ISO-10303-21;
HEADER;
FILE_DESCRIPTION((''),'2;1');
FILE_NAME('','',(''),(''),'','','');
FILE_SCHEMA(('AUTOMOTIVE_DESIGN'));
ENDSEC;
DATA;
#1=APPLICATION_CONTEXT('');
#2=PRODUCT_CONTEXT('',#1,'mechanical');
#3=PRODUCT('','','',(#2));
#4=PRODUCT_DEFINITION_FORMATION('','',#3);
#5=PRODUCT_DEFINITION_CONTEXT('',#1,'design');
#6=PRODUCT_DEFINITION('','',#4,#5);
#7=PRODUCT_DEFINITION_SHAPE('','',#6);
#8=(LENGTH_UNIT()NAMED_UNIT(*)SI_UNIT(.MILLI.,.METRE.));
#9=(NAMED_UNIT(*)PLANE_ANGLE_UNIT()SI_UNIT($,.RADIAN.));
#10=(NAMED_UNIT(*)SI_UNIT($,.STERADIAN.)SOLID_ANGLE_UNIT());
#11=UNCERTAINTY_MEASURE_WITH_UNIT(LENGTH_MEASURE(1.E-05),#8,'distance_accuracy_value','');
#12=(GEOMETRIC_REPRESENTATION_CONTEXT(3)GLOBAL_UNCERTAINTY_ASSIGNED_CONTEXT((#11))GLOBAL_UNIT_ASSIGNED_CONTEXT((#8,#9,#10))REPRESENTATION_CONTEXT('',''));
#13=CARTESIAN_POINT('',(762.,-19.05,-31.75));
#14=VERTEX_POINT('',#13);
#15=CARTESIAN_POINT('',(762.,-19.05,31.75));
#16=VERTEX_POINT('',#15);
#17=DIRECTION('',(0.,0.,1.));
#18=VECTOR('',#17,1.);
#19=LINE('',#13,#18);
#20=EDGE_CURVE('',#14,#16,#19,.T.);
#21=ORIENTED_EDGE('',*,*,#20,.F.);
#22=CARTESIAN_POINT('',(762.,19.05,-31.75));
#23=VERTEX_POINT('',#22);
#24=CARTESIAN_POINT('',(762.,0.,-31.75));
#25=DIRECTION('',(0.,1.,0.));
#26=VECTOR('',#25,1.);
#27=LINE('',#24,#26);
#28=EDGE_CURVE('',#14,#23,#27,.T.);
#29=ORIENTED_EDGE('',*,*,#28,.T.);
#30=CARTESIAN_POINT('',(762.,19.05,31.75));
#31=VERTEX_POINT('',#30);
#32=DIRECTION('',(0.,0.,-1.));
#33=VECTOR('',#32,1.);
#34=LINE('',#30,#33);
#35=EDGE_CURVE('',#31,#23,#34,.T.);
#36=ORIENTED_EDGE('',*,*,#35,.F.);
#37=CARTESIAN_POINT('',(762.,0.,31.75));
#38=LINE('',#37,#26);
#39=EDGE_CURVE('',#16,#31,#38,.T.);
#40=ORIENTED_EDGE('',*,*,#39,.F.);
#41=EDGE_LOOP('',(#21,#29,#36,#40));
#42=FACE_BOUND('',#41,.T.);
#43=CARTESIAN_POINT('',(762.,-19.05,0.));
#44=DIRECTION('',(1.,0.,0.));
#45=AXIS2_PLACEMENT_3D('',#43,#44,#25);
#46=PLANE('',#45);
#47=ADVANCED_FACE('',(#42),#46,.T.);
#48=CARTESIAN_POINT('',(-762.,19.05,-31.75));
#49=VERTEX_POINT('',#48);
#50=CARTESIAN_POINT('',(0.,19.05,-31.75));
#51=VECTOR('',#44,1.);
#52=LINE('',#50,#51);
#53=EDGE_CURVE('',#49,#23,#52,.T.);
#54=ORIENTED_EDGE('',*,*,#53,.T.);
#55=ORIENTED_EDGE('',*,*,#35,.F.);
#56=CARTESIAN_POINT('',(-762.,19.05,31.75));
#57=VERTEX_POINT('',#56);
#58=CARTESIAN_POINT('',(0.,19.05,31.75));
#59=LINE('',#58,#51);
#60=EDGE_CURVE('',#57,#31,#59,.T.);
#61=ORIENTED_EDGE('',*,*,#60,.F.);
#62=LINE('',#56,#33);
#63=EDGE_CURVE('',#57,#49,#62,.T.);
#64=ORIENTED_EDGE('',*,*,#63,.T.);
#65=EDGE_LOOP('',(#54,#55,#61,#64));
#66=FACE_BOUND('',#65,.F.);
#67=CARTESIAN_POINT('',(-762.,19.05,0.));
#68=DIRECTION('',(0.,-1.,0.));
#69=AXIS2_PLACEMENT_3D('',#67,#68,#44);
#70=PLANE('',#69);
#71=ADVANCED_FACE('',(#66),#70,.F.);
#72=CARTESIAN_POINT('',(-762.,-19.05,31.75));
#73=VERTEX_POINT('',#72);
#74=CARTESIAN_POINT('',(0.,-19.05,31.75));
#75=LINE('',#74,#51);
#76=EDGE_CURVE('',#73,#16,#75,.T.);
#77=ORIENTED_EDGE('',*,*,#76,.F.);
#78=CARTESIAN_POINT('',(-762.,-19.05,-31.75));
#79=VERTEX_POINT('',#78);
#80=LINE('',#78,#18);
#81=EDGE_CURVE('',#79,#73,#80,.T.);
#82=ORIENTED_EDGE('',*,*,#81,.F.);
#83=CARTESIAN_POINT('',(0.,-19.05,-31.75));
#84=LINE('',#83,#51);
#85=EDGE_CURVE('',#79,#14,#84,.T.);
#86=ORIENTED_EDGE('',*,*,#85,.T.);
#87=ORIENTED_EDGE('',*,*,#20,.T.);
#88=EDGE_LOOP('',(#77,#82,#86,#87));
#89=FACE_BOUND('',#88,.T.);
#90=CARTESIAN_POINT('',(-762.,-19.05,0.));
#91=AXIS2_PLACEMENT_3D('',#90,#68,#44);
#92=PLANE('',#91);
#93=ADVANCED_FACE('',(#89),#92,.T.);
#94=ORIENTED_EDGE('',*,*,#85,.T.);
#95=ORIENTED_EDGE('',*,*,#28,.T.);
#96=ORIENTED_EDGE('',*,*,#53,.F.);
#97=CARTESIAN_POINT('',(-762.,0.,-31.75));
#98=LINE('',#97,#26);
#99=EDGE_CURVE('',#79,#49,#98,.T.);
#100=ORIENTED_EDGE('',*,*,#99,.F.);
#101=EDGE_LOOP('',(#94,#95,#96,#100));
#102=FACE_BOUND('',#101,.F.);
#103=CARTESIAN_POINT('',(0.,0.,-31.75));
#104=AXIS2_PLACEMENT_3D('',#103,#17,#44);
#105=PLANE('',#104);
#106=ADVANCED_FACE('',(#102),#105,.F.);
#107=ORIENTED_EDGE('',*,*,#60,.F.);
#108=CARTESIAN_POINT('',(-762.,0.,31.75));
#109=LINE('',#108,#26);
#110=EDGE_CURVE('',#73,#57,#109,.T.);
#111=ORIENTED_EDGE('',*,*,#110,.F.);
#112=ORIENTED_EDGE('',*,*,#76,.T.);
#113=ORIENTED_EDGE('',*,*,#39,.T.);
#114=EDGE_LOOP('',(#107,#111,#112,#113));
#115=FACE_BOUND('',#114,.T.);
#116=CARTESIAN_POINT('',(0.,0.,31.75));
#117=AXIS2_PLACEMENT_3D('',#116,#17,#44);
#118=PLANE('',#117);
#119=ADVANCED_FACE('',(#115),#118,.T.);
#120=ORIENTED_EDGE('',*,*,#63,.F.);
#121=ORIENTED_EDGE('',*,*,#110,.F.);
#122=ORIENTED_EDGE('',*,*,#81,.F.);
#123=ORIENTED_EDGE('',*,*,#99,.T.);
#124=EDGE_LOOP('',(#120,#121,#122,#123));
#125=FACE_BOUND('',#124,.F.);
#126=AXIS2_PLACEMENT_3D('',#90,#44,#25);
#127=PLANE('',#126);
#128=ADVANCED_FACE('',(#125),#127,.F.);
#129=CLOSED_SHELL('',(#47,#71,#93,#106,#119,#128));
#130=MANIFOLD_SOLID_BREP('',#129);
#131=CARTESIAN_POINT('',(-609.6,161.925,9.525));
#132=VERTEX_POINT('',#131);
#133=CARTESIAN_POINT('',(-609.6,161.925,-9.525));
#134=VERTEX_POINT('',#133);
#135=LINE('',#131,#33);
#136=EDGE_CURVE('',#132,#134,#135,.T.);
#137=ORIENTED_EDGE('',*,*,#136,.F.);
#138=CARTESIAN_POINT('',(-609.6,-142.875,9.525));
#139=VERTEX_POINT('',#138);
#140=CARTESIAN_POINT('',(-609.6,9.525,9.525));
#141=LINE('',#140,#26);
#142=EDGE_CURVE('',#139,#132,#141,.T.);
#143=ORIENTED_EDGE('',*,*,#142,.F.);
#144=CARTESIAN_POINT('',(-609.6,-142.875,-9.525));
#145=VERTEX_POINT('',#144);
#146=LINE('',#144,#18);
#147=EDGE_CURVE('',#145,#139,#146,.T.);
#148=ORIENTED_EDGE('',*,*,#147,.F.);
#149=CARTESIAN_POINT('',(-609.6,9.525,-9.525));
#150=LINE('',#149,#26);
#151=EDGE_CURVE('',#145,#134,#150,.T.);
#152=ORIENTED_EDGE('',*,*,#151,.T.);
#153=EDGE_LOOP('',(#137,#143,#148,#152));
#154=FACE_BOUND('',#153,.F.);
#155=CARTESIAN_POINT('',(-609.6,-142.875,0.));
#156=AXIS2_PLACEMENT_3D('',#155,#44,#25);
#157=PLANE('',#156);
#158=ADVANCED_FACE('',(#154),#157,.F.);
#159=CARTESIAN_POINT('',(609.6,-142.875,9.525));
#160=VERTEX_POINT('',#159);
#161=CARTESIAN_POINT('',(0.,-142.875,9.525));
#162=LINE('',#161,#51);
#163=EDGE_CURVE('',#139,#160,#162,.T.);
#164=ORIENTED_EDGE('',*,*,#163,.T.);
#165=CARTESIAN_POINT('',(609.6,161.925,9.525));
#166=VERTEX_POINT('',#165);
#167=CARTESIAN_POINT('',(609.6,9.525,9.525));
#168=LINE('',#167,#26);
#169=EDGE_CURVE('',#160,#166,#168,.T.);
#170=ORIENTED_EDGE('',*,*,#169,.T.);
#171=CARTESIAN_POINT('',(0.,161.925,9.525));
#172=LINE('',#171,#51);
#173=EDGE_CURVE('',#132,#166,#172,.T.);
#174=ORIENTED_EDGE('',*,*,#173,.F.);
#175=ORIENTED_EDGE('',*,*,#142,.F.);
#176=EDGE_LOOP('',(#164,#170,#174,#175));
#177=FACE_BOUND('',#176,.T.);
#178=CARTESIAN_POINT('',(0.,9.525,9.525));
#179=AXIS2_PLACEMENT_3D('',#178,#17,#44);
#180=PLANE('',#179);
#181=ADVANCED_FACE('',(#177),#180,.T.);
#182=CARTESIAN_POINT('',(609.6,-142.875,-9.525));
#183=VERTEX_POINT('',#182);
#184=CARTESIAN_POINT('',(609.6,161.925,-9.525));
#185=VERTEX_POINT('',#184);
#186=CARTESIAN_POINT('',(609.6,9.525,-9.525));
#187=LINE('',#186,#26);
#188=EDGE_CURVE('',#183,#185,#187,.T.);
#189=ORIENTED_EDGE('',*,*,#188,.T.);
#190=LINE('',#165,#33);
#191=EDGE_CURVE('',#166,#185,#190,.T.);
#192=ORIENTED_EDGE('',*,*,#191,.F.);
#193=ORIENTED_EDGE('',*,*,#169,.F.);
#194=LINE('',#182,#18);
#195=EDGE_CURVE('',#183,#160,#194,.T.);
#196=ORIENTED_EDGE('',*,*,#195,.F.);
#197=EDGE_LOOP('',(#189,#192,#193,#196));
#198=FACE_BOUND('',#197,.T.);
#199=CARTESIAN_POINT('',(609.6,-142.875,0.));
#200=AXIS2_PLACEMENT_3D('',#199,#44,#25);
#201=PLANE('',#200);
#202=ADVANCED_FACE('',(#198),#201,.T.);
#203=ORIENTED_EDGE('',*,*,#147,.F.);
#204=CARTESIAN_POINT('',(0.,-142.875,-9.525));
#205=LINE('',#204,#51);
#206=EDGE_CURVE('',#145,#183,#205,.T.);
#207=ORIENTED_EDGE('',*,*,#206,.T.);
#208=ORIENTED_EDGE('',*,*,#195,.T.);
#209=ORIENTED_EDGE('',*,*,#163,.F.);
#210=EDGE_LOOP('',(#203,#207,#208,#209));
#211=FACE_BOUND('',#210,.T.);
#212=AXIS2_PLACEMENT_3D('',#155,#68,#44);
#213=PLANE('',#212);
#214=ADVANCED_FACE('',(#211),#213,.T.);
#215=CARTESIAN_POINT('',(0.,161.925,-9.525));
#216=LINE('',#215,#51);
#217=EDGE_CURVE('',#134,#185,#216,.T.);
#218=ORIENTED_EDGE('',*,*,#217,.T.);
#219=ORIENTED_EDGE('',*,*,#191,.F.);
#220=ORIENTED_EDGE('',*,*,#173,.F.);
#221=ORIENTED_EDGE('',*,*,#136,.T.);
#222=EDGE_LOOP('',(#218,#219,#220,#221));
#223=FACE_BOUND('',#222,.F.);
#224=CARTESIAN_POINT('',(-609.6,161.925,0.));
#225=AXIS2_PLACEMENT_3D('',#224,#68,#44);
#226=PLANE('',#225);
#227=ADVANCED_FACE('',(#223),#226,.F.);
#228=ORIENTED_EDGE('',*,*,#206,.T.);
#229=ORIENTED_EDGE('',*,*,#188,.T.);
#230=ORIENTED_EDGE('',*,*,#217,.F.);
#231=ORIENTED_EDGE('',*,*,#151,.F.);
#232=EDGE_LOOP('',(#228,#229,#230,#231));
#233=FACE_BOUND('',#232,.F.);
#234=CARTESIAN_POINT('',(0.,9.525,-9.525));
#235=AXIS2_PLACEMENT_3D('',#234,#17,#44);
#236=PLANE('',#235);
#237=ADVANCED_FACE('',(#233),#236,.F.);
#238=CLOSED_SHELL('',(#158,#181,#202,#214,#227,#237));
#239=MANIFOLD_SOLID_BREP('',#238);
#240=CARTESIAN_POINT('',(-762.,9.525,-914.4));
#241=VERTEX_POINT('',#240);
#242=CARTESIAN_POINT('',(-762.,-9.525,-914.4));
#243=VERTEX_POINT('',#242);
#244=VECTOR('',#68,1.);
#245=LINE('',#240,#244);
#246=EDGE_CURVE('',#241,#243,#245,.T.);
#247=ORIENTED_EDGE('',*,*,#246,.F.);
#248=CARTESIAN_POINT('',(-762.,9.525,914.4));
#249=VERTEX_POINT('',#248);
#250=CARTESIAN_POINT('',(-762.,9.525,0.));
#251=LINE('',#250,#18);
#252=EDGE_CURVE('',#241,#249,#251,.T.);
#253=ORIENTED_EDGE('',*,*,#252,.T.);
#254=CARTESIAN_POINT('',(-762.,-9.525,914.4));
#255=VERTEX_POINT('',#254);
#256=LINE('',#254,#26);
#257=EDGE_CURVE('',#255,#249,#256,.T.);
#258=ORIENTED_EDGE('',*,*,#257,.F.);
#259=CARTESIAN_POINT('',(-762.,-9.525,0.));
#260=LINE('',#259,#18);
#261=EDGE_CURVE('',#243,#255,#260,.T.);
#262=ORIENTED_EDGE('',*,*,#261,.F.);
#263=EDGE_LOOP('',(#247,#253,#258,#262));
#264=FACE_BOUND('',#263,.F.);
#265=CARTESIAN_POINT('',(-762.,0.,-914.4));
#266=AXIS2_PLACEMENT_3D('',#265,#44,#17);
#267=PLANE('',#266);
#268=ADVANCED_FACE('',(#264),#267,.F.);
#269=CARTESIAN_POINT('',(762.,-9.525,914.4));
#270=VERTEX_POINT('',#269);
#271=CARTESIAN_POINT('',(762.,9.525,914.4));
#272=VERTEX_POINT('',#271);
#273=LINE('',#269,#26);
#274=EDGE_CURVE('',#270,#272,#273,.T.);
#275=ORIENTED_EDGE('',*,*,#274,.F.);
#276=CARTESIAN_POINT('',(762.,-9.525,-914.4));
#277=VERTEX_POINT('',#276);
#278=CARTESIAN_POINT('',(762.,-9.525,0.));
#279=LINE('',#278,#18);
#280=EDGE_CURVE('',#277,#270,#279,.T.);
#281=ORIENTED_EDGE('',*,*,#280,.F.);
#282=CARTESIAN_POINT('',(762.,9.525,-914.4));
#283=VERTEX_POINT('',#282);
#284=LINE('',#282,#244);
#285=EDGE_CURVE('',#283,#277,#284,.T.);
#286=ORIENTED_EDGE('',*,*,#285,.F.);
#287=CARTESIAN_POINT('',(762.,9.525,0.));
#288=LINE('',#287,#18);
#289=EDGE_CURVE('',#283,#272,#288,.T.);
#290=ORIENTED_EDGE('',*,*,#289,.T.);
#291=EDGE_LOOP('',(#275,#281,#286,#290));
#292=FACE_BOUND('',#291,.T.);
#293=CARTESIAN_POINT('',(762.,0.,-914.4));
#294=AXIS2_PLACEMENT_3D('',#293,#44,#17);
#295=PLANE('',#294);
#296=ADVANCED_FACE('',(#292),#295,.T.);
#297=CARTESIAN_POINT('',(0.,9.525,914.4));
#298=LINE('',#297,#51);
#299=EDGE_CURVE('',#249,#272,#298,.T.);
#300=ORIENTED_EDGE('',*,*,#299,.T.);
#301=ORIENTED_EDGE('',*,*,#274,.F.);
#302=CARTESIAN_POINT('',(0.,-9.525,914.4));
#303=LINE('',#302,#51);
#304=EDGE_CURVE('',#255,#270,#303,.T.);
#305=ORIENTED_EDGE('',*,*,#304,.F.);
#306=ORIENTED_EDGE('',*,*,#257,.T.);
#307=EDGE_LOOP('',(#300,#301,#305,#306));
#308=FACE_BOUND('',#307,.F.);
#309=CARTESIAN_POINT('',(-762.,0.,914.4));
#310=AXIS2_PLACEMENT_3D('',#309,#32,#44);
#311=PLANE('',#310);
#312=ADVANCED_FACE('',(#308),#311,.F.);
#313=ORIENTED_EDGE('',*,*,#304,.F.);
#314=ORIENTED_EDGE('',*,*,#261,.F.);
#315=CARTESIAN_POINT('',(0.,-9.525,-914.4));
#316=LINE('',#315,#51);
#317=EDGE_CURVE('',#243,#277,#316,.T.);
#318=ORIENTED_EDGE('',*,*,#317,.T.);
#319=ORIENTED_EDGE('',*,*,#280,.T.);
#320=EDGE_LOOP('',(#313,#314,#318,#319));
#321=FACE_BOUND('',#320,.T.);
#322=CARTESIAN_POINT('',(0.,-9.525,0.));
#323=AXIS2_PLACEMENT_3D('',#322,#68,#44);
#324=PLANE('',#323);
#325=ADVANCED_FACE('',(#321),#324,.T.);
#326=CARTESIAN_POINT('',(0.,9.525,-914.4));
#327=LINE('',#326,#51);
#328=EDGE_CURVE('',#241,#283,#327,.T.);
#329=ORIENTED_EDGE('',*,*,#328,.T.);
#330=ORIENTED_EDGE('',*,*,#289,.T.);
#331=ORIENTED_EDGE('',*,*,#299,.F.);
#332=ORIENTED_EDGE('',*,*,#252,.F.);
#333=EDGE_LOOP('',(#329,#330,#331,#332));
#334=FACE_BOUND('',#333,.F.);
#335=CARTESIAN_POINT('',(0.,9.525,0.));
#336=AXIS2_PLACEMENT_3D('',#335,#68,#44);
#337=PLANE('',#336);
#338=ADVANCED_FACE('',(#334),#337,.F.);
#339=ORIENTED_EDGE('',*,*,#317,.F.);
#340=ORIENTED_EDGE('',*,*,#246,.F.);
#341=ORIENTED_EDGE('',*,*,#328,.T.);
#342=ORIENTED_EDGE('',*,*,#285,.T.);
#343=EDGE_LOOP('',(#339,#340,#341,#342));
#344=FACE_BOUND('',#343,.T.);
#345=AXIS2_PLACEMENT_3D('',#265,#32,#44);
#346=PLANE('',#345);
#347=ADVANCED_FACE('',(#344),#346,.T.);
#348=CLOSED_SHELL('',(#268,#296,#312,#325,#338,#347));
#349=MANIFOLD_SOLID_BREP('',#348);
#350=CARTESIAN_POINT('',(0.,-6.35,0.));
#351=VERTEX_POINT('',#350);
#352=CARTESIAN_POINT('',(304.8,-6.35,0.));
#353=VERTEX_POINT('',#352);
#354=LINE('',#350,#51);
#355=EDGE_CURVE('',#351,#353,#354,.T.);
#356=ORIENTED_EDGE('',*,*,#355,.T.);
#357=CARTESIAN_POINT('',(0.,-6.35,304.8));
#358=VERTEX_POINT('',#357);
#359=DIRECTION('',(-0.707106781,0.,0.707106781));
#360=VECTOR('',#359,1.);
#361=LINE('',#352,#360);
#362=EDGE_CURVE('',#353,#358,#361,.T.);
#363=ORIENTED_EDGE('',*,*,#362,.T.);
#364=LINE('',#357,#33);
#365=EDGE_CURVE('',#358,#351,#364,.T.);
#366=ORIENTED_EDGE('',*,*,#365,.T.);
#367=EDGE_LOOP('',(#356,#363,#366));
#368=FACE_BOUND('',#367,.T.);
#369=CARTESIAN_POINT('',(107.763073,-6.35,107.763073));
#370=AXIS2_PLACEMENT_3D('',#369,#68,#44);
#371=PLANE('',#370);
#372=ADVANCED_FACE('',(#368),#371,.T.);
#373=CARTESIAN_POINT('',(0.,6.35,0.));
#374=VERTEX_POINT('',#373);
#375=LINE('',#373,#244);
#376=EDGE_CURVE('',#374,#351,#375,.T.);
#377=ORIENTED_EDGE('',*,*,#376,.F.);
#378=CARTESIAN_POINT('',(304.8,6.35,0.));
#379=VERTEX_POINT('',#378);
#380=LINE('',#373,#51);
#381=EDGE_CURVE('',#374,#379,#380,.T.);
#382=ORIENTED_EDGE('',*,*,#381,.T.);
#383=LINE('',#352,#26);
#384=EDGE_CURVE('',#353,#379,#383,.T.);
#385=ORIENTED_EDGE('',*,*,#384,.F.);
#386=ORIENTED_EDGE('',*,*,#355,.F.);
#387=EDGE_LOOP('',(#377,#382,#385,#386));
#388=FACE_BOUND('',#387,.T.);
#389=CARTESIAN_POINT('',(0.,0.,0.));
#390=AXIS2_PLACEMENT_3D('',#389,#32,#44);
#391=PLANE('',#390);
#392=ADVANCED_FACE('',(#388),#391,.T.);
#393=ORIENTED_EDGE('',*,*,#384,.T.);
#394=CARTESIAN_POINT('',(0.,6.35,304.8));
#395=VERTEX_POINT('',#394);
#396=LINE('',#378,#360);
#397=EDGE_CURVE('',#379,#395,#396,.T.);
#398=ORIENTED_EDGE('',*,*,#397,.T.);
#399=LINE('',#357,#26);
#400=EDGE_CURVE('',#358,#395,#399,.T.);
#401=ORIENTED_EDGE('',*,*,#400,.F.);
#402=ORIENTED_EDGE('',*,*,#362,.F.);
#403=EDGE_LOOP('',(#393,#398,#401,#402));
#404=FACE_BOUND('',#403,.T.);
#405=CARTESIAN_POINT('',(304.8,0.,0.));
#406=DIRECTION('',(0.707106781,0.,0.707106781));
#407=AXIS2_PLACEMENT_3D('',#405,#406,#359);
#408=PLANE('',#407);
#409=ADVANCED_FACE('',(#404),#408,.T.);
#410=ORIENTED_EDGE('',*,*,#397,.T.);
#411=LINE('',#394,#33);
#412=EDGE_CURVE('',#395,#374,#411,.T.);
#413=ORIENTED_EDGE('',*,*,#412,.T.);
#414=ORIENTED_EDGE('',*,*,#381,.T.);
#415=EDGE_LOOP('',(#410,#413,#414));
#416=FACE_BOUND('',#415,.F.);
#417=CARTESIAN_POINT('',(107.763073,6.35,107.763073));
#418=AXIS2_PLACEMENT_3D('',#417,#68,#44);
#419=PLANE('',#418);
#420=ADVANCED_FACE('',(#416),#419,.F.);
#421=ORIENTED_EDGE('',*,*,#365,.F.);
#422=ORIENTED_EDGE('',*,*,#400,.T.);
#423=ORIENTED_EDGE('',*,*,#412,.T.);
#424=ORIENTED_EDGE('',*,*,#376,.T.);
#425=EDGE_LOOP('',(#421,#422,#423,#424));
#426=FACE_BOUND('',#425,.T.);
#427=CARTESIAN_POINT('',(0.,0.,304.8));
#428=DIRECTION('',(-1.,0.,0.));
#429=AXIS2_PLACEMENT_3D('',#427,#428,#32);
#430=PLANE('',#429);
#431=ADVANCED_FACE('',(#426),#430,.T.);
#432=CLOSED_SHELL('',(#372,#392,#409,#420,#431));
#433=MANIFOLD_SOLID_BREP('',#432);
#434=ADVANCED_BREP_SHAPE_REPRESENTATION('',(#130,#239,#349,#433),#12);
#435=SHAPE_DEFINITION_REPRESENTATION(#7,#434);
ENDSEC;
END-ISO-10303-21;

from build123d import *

# Parameters (mm, degrees)
F0_W     = 1524
F0_H     = 1828.8
F1_DEPTH = 9.525
F2_W     = 1219.2
F2_H     = 304.8
F3_DEPTH = 9.525
F4_W     = 1524
F4_H     = 38.1
F5_DEPTH = 31.75
F7_DEPTH = 6.35


with BuildPart() as f1:
    # F0 (on Front) → F1 (new body, symmetric)
    with BuildSketch(Plane.XZ):
        Rectangle(F0_W, F0_H)
    extrude(amount=F1_DEPTH, both=True)


with BuildPart() as f3:
    # F2 (on Top) → F3 (new body, symmetric)
    with BuildSketch(Plane.XY):
        with Locations((0, 9.525)):
            Rectangle(F2_W, F2_H)
    extrude(amount=F3_DEPTH, both=True)


with BuildPart() as f5:
    # F4 (on Top) → F5 (new body, symmetric)
    with BuildSketch(Plane.XY):
        Rectangle(F4_W, F4_H)
    extrude(amount=F5_DEPTH, both=True)


with BuildPart() as f7:
    # F6 (on Front) → F7 (new body, symmetric)
    with BuildSketch(Plane.XZ):
        Polygon((0, 304.8), (0, 0), (304.8, 0), align=None)
    extrude(amount=F7_DEPTH, both=True)


solid = Compound([f1.part, f3.part, f5.part, f7.part])
